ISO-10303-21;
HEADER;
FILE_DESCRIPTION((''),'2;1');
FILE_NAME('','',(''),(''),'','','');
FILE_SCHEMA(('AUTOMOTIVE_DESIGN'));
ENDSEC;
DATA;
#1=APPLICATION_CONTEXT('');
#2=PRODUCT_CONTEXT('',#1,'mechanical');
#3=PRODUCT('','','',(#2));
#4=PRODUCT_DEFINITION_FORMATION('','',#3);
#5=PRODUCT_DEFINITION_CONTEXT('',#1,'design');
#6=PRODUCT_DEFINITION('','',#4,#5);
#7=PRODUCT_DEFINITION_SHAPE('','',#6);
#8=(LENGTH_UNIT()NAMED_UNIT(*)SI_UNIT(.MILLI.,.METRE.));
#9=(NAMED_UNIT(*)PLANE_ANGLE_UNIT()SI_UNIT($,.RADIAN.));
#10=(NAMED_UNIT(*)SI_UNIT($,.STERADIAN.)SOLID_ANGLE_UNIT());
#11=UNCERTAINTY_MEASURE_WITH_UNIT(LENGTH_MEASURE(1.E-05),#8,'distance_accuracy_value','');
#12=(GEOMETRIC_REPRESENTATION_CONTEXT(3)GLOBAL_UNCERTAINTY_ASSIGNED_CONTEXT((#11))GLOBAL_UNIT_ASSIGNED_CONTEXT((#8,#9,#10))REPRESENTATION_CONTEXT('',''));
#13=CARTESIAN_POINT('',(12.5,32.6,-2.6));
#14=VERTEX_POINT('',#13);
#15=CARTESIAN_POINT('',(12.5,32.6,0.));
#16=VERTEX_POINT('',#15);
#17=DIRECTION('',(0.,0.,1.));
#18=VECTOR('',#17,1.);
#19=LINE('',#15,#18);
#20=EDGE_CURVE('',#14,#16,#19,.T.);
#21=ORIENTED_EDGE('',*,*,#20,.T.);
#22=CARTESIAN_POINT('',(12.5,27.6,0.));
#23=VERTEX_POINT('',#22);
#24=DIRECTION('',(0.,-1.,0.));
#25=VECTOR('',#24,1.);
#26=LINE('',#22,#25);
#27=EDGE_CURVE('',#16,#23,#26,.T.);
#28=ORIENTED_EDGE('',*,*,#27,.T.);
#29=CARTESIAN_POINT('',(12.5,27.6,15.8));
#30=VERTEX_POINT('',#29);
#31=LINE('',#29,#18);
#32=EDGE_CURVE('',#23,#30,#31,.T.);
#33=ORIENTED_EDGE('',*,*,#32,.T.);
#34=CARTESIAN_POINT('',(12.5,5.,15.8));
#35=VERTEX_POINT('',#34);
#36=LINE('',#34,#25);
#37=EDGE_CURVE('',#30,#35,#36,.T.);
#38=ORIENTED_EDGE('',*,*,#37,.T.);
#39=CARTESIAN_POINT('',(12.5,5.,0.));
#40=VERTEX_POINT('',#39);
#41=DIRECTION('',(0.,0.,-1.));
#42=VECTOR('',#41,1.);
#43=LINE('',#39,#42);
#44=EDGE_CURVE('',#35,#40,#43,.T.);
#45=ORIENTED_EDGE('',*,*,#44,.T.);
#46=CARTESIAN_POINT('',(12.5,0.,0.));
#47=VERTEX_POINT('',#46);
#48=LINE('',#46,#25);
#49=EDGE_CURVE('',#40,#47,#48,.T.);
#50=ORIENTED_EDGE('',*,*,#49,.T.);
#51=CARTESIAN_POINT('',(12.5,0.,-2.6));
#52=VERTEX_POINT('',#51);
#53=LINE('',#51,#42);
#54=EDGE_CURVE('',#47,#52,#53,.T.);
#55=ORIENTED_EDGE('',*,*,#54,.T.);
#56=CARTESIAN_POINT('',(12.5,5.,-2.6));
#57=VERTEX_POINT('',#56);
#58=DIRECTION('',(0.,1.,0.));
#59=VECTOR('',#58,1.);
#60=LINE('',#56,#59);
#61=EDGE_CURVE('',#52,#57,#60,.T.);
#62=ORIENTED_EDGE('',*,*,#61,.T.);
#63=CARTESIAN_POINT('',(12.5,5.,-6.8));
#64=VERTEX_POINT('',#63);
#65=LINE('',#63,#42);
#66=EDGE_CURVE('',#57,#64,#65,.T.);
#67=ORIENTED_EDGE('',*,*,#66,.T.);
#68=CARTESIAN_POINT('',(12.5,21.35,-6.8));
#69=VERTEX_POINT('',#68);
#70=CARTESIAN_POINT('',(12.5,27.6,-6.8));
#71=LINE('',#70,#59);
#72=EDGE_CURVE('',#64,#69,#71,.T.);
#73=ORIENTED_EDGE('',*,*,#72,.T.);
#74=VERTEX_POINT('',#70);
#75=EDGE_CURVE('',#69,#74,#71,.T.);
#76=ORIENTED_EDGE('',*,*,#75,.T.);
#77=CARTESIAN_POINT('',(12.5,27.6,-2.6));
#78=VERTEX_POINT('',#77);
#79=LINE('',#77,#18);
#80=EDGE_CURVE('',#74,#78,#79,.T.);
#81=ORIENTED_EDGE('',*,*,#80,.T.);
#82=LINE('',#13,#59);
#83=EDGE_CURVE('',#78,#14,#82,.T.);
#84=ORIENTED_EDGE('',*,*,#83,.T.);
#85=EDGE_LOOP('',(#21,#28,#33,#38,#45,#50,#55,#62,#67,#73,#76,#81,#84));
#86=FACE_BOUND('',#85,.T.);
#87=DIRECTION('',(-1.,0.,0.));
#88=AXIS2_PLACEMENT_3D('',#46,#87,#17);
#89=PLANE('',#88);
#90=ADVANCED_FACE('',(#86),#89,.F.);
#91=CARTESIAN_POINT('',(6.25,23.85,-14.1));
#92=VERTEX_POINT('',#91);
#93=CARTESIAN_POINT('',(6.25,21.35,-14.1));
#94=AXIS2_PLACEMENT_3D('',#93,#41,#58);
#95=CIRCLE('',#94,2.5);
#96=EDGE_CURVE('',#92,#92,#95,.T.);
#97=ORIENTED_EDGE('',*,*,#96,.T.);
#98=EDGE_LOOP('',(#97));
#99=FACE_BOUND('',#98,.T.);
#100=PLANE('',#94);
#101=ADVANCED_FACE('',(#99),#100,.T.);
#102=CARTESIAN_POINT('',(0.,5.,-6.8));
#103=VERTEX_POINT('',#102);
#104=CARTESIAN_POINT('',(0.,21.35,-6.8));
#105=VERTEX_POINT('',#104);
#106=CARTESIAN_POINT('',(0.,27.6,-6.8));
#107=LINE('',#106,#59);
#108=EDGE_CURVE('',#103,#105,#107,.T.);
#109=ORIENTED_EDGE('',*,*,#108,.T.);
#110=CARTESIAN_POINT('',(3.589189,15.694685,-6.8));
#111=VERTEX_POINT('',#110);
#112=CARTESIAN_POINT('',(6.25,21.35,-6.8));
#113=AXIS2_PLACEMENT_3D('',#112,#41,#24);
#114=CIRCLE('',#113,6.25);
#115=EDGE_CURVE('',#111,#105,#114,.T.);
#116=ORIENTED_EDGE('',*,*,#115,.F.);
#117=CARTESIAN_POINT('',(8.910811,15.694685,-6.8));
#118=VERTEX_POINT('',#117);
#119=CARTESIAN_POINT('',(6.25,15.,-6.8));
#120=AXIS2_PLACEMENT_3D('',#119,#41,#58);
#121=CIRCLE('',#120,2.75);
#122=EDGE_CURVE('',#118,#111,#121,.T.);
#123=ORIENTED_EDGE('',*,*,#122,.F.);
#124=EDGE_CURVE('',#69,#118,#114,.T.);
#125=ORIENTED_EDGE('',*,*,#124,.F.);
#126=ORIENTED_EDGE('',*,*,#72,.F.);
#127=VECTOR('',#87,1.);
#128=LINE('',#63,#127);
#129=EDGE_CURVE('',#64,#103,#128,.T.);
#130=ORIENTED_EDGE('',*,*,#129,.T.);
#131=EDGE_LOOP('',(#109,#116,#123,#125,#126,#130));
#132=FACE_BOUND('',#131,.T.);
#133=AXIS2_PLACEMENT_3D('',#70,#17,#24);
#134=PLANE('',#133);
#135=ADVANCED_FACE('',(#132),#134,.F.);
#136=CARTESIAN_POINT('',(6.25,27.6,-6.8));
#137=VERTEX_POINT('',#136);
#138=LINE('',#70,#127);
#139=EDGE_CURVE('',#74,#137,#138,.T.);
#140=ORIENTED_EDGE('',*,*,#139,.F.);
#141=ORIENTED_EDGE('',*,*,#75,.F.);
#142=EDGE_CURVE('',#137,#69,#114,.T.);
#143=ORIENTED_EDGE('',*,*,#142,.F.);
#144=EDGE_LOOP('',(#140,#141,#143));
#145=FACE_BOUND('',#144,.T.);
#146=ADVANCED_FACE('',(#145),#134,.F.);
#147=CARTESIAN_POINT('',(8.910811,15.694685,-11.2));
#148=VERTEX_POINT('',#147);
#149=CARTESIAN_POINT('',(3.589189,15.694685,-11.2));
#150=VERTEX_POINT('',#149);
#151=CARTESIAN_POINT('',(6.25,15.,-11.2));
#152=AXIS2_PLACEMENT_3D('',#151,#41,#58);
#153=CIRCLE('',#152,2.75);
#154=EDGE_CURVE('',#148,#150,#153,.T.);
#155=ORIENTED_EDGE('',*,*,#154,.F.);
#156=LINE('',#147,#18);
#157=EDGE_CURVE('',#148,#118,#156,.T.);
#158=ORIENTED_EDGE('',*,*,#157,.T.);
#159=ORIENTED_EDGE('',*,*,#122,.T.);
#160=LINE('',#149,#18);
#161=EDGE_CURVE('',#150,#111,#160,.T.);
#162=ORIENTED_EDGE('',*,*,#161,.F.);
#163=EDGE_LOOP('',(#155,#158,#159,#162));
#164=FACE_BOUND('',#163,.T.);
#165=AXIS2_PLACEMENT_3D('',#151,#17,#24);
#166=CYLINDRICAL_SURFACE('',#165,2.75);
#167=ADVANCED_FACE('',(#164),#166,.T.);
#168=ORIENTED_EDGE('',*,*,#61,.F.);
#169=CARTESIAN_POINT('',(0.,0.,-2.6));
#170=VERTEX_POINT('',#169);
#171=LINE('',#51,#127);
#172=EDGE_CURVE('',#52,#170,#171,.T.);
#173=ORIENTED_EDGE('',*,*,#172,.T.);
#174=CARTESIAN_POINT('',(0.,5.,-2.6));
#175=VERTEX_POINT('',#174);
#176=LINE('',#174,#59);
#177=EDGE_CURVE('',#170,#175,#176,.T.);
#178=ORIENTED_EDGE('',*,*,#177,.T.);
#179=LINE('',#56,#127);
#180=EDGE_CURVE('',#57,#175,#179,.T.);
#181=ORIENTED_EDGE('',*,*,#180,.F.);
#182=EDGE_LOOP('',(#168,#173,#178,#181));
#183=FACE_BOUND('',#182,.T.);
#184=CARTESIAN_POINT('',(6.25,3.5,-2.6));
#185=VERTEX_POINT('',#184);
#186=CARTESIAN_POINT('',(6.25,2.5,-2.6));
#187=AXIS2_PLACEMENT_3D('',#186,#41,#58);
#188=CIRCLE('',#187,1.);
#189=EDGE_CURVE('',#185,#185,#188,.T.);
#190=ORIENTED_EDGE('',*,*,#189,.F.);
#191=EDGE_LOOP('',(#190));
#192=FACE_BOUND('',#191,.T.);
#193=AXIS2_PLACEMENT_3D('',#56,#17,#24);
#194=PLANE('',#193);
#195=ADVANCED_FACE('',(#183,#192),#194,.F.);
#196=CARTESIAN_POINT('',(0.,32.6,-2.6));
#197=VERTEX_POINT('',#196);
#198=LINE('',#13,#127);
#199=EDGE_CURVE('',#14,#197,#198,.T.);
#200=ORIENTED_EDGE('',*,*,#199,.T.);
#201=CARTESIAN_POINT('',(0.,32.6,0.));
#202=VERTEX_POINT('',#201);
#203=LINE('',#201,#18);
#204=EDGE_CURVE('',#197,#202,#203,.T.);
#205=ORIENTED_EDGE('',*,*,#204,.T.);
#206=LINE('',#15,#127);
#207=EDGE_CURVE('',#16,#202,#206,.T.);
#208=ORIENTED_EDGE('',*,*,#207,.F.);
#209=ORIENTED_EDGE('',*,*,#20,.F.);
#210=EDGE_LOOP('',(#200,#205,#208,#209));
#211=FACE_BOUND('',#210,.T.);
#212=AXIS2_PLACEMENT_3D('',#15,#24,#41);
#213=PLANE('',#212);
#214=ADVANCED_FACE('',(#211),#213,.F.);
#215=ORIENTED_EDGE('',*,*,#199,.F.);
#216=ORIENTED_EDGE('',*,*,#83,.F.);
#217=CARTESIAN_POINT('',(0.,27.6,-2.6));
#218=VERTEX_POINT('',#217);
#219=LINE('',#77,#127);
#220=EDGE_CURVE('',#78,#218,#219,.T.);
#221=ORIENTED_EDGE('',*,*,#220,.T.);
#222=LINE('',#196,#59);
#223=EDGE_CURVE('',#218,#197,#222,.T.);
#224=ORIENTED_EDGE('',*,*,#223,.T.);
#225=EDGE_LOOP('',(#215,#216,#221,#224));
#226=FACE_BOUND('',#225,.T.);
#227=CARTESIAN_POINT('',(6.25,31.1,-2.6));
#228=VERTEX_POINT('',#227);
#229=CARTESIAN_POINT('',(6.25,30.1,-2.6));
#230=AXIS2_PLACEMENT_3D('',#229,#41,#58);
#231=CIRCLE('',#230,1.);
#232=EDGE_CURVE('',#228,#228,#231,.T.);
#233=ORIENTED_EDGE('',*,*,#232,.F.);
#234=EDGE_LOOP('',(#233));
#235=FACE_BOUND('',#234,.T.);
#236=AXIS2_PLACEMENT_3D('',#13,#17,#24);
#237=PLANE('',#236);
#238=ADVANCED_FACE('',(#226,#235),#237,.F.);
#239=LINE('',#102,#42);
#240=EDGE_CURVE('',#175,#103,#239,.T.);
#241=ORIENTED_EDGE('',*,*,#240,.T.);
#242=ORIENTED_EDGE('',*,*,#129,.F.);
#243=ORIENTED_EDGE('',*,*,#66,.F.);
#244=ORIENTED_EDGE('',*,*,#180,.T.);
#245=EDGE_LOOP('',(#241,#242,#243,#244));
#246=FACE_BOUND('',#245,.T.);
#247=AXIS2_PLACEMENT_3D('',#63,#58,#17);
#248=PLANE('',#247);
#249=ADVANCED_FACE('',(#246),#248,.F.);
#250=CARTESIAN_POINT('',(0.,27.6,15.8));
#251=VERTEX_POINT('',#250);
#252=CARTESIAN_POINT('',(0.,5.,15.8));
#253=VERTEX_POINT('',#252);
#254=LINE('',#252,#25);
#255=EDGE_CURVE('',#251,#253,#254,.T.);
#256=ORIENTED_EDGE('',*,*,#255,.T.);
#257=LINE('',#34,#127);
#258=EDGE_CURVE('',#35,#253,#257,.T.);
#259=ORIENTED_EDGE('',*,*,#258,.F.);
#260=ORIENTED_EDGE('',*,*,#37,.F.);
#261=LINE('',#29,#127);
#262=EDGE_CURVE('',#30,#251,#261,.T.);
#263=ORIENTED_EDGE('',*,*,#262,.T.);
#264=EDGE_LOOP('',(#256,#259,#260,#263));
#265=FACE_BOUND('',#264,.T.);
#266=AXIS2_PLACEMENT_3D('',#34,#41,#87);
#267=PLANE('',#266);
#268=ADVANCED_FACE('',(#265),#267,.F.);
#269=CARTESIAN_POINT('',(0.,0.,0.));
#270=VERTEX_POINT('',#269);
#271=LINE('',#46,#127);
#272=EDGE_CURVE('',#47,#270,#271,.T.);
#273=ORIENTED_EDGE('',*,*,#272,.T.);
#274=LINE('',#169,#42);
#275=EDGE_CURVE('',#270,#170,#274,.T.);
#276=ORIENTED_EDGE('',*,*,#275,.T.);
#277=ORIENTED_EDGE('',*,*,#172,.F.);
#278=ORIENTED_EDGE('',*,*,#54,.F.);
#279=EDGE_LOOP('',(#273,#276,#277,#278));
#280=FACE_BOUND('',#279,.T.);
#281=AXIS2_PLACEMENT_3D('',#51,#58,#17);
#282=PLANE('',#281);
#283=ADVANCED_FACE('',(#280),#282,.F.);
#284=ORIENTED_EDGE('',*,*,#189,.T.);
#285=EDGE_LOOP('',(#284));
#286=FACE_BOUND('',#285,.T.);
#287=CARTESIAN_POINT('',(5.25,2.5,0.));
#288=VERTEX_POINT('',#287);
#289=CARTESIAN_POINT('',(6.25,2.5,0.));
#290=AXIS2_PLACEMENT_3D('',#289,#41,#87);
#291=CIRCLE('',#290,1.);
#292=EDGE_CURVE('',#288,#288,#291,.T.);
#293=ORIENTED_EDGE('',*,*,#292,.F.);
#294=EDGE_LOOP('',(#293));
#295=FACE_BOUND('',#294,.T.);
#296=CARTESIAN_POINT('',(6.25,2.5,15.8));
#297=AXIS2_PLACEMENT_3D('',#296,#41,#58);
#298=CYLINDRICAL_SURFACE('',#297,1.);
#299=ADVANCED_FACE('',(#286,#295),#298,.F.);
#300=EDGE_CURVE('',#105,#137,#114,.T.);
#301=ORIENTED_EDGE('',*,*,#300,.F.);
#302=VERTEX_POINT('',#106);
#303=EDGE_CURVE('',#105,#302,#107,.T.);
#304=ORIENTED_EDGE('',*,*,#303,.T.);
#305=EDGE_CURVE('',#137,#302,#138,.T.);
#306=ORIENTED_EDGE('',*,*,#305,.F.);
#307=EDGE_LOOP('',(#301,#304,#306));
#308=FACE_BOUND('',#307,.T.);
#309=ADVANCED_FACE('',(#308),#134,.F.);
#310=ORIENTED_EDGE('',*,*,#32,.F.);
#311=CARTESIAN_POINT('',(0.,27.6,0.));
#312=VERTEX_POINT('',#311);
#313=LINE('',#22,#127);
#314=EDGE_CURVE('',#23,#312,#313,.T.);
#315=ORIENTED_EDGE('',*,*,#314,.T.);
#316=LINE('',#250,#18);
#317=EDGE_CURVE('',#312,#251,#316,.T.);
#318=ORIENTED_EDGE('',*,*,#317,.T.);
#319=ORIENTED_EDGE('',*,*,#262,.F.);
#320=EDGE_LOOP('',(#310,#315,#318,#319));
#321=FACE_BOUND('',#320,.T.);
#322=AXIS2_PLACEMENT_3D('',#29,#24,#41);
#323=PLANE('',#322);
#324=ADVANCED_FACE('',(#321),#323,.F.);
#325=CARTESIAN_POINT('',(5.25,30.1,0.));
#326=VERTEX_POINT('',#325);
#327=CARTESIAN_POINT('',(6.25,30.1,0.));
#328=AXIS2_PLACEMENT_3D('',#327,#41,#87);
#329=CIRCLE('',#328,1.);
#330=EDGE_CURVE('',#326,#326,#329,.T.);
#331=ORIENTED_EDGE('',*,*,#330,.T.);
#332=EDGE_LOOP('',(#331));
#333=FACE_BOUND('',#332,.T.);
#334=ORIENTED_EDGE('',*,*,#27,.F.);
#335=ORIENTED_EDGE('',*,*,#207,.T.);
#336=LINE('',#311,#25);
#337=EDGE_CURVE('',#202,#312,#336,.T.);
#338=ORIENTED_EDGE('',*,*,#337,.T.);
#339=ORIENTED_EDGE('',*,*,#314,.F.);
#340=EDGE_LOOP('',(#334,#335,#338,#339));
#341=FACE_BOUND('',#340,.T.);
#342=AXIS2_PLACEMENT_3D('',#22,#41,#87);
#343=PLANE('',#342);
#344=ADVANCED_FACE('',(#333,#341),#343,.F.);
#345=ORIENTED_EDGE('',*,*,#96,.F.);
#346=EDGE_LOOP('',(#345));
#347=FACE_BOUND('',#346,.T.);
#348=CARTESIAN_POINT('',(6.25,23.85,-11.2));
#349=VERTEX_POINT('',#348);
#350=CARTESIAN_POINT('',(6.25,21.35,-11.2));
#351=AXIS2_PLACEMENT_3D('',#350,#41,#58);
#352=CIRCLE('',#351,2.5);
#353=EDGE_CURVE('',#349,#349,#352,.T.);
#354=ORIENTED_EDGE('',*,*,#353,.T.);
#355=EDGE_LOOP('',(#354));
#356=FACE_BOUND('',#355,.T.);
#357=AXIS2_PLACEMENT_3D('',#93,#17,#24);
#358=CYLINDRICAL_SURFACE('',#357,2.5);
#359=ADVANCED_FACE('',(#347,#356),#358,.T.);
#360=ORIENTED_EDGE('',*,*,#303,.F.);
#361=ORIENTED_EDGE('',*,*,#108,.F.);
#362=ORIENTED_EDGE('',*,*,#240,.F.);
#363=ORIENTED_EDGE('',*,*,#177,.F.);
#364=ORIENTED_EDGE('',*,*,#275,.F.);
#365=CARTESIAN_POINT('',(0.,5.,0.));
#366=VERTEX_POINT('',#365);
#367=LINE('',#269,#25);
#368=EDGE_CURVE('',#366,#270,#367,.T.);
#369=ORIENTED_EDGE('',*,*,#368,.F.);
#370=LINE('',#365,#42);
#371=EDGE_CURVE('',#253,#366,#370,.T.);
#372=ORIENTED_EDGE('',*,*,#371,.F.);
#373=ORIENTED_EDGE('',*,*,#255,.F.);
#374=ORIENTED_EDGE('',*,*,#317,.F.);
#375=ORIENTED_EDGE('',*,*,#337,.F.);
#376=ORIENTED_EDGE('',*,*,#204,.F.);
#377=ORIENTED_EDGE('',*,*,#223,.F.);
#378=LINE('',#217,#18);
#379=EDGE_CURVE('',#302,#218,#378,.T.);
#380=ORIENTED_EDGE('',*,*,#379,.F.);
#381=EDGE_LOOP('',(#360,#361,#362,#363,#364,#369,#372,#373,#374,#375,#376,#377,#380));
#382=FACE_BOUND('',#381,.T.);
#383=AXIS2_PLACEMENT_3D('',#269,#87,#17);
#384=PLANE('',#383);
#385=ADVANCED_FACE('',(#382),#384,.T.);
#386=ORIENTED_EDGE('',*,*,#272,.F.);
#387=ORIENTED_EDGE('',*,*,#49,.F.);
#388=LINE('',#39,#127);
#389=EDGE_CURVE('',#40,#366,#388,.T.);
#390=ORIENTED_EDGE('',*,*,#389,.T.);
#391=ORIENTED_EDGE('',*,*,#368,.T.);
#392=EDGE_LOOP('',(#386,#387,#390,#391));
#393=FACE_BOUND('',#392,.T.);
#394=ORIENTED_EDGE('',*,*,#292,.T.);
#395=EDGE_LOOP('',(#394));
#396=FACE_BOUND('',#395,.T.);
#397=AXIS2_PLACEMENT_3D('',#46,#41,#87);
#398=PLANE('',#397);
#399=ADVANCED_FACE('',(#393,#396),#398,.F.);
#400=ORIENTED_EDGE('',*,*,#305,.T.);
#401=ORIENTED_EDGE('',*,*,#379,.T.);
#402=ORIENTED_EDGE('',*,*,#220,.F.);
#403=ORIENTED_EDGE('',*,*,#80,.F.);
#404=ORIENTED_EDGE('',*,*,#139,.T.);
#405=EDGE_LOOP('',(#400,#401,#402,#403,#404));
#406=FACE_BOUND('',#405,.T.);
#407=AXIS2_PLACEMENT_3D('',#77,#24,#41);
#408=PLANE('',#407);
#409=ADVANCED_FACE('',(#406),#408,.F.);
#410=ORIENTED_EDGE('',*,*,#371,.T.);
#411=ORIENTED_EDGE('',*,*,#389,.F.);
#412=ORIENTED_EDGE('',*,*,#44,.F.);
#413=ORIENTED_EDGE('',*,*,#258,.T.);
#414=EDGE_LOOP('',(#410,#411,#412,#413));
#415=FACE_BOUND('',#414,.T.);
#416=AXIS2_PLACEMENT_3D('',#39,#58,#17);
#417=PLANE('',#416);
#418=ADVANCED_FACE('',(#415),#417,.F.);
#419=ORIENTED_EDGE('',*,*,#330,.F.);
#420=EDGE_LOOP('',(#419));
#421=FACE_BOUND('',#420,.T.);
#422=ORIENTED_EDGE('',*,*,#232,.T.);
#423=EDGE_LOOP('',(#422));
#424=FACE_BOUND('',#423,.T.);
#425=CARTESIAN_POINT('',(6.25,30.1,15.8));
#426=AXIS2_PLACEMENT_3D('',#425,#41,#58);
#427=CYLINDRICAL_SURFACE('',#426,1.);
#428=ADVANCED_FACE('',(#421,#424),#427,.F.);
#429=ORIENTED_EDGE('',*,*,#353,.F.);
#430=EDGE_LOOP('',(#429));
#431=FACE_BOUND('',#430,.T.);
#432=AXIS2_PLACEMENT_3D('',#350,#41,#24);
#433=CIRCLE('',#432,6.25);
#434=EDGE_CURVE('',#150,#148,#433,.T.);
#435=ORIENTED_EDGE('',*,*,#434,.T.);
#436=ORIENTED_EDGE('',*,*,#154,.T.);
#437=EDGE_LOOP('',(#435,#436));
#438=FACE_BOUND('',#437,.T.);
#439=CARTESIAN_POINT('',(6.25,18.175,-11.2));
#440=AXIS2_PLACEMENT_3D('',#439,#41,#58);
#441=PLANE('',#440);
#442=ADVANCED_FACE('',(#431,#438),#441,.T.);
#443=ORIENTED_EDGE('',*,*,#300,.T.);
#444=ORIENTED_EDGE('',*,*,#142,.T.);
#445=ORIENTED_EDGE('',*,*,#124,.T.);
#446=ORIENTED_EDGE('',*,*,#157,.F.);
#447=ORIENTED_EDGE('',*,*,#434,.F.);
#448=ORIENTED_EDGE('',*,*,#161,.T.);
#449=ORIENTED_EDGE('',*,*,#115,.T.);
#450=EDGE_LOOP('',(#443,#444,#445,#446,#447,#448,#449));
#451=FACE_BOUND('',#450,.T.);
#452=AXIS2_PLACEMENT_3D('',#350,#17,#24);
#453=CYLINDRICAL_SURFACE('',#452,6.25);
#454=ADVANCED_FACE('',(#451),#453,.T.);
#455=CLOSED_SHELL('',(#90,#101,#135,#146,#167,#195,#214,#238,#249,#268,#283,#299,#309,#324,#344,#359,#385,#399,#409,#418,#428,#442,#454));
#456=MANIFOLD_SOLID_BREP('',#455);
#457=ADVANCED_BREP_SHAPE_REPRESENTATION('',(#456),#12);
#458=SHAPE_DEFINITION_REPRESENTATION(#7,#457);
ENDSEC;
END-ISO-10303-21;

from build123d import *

# Parameters (mm, degrees)
BOSS_EXTRUDE1_DEPTH = 12.5
BOSS_EXTRUDE2_DEPTH = 4.4
SKETCH3_R           = 2.5
BOSS_EXTRUDE3_DEPTH = 2.9
SKETCH4_R           = 1
CUT_EXTRUDE1_DEPTH  = 40.466061369


with BuildPart() as part:
    # Sketch1 → Boss-Extrude1 (new body)
    with BuildSketch(Plane(origin=(0, 0, 0), x_dir=(0, 0, -1), z_dir=(1, 0, 0))):
        Polygon((0, 0), (0, 5), (-15.8, 5), (-15.8, 27.6), (0, 27.6), (0, 32.6), (2.6, 32.6), (2.6, 27.6), (6.8, 27.6), (6.8, 5), (2.6, 5), (2.6, 0), align=None)
    extrude(amount=BOSS_EXTRUDE1_DEPTH)

    # Sketch2 → Boss-Extrude2 (add)
    with BuildSketch(Plane(origin=(0, 0, -6.8), x_dir=(-1, 0, 0), z_dir=(0, 0, -1))):
        with BuildLine():
            ThreePointArc((-8.910810534, 15.694685039), (-6.25, 27.6), (-3.589189466, 15.694685039))
            ThreePointArc((-3.589189466, 15.694685039), (-6.25, 12.25), (-8.910810534, 15.694685039))
        make_face()
    extrude(amount=BOSS_EXTRUDE2_DEPTH)

    # Sketch3 → Boss-Extrude3 (add)
    with BuildSketch(Plane(origin=(0, 0, -11.2), x_dir=(-1, 0, 0), z_dir=(0, 0, -1))):
        with Locations(Location((-6.25, 21.35, 0), (0, 0, 90))):
            Circle(SKETCH3_R)
    extrude(amount=BOSS_EXTRUDE3_DEPTH)

    # Sketch4 → Cut-Extrude1 (cut, through all)
    with BuildSketch(Plane(origin=(0, 0, -2.6), x_dir=(-1, 0, 0), z_dir=(0, 0, -1))):
        with Locations(Location((-6.25, 30.1, 0), (0, 0, 90))):
            Circle(SKETCH4_R)
        with Locations(Location((-6.25, 2.5, 0), (0, 0, 90))):
            Circle(SKETCH4_R)
    extrude(amount=-CUT_EXTRUDE1_DEPTH, mode=Mode.SUBTRACT)


solid = part.part
